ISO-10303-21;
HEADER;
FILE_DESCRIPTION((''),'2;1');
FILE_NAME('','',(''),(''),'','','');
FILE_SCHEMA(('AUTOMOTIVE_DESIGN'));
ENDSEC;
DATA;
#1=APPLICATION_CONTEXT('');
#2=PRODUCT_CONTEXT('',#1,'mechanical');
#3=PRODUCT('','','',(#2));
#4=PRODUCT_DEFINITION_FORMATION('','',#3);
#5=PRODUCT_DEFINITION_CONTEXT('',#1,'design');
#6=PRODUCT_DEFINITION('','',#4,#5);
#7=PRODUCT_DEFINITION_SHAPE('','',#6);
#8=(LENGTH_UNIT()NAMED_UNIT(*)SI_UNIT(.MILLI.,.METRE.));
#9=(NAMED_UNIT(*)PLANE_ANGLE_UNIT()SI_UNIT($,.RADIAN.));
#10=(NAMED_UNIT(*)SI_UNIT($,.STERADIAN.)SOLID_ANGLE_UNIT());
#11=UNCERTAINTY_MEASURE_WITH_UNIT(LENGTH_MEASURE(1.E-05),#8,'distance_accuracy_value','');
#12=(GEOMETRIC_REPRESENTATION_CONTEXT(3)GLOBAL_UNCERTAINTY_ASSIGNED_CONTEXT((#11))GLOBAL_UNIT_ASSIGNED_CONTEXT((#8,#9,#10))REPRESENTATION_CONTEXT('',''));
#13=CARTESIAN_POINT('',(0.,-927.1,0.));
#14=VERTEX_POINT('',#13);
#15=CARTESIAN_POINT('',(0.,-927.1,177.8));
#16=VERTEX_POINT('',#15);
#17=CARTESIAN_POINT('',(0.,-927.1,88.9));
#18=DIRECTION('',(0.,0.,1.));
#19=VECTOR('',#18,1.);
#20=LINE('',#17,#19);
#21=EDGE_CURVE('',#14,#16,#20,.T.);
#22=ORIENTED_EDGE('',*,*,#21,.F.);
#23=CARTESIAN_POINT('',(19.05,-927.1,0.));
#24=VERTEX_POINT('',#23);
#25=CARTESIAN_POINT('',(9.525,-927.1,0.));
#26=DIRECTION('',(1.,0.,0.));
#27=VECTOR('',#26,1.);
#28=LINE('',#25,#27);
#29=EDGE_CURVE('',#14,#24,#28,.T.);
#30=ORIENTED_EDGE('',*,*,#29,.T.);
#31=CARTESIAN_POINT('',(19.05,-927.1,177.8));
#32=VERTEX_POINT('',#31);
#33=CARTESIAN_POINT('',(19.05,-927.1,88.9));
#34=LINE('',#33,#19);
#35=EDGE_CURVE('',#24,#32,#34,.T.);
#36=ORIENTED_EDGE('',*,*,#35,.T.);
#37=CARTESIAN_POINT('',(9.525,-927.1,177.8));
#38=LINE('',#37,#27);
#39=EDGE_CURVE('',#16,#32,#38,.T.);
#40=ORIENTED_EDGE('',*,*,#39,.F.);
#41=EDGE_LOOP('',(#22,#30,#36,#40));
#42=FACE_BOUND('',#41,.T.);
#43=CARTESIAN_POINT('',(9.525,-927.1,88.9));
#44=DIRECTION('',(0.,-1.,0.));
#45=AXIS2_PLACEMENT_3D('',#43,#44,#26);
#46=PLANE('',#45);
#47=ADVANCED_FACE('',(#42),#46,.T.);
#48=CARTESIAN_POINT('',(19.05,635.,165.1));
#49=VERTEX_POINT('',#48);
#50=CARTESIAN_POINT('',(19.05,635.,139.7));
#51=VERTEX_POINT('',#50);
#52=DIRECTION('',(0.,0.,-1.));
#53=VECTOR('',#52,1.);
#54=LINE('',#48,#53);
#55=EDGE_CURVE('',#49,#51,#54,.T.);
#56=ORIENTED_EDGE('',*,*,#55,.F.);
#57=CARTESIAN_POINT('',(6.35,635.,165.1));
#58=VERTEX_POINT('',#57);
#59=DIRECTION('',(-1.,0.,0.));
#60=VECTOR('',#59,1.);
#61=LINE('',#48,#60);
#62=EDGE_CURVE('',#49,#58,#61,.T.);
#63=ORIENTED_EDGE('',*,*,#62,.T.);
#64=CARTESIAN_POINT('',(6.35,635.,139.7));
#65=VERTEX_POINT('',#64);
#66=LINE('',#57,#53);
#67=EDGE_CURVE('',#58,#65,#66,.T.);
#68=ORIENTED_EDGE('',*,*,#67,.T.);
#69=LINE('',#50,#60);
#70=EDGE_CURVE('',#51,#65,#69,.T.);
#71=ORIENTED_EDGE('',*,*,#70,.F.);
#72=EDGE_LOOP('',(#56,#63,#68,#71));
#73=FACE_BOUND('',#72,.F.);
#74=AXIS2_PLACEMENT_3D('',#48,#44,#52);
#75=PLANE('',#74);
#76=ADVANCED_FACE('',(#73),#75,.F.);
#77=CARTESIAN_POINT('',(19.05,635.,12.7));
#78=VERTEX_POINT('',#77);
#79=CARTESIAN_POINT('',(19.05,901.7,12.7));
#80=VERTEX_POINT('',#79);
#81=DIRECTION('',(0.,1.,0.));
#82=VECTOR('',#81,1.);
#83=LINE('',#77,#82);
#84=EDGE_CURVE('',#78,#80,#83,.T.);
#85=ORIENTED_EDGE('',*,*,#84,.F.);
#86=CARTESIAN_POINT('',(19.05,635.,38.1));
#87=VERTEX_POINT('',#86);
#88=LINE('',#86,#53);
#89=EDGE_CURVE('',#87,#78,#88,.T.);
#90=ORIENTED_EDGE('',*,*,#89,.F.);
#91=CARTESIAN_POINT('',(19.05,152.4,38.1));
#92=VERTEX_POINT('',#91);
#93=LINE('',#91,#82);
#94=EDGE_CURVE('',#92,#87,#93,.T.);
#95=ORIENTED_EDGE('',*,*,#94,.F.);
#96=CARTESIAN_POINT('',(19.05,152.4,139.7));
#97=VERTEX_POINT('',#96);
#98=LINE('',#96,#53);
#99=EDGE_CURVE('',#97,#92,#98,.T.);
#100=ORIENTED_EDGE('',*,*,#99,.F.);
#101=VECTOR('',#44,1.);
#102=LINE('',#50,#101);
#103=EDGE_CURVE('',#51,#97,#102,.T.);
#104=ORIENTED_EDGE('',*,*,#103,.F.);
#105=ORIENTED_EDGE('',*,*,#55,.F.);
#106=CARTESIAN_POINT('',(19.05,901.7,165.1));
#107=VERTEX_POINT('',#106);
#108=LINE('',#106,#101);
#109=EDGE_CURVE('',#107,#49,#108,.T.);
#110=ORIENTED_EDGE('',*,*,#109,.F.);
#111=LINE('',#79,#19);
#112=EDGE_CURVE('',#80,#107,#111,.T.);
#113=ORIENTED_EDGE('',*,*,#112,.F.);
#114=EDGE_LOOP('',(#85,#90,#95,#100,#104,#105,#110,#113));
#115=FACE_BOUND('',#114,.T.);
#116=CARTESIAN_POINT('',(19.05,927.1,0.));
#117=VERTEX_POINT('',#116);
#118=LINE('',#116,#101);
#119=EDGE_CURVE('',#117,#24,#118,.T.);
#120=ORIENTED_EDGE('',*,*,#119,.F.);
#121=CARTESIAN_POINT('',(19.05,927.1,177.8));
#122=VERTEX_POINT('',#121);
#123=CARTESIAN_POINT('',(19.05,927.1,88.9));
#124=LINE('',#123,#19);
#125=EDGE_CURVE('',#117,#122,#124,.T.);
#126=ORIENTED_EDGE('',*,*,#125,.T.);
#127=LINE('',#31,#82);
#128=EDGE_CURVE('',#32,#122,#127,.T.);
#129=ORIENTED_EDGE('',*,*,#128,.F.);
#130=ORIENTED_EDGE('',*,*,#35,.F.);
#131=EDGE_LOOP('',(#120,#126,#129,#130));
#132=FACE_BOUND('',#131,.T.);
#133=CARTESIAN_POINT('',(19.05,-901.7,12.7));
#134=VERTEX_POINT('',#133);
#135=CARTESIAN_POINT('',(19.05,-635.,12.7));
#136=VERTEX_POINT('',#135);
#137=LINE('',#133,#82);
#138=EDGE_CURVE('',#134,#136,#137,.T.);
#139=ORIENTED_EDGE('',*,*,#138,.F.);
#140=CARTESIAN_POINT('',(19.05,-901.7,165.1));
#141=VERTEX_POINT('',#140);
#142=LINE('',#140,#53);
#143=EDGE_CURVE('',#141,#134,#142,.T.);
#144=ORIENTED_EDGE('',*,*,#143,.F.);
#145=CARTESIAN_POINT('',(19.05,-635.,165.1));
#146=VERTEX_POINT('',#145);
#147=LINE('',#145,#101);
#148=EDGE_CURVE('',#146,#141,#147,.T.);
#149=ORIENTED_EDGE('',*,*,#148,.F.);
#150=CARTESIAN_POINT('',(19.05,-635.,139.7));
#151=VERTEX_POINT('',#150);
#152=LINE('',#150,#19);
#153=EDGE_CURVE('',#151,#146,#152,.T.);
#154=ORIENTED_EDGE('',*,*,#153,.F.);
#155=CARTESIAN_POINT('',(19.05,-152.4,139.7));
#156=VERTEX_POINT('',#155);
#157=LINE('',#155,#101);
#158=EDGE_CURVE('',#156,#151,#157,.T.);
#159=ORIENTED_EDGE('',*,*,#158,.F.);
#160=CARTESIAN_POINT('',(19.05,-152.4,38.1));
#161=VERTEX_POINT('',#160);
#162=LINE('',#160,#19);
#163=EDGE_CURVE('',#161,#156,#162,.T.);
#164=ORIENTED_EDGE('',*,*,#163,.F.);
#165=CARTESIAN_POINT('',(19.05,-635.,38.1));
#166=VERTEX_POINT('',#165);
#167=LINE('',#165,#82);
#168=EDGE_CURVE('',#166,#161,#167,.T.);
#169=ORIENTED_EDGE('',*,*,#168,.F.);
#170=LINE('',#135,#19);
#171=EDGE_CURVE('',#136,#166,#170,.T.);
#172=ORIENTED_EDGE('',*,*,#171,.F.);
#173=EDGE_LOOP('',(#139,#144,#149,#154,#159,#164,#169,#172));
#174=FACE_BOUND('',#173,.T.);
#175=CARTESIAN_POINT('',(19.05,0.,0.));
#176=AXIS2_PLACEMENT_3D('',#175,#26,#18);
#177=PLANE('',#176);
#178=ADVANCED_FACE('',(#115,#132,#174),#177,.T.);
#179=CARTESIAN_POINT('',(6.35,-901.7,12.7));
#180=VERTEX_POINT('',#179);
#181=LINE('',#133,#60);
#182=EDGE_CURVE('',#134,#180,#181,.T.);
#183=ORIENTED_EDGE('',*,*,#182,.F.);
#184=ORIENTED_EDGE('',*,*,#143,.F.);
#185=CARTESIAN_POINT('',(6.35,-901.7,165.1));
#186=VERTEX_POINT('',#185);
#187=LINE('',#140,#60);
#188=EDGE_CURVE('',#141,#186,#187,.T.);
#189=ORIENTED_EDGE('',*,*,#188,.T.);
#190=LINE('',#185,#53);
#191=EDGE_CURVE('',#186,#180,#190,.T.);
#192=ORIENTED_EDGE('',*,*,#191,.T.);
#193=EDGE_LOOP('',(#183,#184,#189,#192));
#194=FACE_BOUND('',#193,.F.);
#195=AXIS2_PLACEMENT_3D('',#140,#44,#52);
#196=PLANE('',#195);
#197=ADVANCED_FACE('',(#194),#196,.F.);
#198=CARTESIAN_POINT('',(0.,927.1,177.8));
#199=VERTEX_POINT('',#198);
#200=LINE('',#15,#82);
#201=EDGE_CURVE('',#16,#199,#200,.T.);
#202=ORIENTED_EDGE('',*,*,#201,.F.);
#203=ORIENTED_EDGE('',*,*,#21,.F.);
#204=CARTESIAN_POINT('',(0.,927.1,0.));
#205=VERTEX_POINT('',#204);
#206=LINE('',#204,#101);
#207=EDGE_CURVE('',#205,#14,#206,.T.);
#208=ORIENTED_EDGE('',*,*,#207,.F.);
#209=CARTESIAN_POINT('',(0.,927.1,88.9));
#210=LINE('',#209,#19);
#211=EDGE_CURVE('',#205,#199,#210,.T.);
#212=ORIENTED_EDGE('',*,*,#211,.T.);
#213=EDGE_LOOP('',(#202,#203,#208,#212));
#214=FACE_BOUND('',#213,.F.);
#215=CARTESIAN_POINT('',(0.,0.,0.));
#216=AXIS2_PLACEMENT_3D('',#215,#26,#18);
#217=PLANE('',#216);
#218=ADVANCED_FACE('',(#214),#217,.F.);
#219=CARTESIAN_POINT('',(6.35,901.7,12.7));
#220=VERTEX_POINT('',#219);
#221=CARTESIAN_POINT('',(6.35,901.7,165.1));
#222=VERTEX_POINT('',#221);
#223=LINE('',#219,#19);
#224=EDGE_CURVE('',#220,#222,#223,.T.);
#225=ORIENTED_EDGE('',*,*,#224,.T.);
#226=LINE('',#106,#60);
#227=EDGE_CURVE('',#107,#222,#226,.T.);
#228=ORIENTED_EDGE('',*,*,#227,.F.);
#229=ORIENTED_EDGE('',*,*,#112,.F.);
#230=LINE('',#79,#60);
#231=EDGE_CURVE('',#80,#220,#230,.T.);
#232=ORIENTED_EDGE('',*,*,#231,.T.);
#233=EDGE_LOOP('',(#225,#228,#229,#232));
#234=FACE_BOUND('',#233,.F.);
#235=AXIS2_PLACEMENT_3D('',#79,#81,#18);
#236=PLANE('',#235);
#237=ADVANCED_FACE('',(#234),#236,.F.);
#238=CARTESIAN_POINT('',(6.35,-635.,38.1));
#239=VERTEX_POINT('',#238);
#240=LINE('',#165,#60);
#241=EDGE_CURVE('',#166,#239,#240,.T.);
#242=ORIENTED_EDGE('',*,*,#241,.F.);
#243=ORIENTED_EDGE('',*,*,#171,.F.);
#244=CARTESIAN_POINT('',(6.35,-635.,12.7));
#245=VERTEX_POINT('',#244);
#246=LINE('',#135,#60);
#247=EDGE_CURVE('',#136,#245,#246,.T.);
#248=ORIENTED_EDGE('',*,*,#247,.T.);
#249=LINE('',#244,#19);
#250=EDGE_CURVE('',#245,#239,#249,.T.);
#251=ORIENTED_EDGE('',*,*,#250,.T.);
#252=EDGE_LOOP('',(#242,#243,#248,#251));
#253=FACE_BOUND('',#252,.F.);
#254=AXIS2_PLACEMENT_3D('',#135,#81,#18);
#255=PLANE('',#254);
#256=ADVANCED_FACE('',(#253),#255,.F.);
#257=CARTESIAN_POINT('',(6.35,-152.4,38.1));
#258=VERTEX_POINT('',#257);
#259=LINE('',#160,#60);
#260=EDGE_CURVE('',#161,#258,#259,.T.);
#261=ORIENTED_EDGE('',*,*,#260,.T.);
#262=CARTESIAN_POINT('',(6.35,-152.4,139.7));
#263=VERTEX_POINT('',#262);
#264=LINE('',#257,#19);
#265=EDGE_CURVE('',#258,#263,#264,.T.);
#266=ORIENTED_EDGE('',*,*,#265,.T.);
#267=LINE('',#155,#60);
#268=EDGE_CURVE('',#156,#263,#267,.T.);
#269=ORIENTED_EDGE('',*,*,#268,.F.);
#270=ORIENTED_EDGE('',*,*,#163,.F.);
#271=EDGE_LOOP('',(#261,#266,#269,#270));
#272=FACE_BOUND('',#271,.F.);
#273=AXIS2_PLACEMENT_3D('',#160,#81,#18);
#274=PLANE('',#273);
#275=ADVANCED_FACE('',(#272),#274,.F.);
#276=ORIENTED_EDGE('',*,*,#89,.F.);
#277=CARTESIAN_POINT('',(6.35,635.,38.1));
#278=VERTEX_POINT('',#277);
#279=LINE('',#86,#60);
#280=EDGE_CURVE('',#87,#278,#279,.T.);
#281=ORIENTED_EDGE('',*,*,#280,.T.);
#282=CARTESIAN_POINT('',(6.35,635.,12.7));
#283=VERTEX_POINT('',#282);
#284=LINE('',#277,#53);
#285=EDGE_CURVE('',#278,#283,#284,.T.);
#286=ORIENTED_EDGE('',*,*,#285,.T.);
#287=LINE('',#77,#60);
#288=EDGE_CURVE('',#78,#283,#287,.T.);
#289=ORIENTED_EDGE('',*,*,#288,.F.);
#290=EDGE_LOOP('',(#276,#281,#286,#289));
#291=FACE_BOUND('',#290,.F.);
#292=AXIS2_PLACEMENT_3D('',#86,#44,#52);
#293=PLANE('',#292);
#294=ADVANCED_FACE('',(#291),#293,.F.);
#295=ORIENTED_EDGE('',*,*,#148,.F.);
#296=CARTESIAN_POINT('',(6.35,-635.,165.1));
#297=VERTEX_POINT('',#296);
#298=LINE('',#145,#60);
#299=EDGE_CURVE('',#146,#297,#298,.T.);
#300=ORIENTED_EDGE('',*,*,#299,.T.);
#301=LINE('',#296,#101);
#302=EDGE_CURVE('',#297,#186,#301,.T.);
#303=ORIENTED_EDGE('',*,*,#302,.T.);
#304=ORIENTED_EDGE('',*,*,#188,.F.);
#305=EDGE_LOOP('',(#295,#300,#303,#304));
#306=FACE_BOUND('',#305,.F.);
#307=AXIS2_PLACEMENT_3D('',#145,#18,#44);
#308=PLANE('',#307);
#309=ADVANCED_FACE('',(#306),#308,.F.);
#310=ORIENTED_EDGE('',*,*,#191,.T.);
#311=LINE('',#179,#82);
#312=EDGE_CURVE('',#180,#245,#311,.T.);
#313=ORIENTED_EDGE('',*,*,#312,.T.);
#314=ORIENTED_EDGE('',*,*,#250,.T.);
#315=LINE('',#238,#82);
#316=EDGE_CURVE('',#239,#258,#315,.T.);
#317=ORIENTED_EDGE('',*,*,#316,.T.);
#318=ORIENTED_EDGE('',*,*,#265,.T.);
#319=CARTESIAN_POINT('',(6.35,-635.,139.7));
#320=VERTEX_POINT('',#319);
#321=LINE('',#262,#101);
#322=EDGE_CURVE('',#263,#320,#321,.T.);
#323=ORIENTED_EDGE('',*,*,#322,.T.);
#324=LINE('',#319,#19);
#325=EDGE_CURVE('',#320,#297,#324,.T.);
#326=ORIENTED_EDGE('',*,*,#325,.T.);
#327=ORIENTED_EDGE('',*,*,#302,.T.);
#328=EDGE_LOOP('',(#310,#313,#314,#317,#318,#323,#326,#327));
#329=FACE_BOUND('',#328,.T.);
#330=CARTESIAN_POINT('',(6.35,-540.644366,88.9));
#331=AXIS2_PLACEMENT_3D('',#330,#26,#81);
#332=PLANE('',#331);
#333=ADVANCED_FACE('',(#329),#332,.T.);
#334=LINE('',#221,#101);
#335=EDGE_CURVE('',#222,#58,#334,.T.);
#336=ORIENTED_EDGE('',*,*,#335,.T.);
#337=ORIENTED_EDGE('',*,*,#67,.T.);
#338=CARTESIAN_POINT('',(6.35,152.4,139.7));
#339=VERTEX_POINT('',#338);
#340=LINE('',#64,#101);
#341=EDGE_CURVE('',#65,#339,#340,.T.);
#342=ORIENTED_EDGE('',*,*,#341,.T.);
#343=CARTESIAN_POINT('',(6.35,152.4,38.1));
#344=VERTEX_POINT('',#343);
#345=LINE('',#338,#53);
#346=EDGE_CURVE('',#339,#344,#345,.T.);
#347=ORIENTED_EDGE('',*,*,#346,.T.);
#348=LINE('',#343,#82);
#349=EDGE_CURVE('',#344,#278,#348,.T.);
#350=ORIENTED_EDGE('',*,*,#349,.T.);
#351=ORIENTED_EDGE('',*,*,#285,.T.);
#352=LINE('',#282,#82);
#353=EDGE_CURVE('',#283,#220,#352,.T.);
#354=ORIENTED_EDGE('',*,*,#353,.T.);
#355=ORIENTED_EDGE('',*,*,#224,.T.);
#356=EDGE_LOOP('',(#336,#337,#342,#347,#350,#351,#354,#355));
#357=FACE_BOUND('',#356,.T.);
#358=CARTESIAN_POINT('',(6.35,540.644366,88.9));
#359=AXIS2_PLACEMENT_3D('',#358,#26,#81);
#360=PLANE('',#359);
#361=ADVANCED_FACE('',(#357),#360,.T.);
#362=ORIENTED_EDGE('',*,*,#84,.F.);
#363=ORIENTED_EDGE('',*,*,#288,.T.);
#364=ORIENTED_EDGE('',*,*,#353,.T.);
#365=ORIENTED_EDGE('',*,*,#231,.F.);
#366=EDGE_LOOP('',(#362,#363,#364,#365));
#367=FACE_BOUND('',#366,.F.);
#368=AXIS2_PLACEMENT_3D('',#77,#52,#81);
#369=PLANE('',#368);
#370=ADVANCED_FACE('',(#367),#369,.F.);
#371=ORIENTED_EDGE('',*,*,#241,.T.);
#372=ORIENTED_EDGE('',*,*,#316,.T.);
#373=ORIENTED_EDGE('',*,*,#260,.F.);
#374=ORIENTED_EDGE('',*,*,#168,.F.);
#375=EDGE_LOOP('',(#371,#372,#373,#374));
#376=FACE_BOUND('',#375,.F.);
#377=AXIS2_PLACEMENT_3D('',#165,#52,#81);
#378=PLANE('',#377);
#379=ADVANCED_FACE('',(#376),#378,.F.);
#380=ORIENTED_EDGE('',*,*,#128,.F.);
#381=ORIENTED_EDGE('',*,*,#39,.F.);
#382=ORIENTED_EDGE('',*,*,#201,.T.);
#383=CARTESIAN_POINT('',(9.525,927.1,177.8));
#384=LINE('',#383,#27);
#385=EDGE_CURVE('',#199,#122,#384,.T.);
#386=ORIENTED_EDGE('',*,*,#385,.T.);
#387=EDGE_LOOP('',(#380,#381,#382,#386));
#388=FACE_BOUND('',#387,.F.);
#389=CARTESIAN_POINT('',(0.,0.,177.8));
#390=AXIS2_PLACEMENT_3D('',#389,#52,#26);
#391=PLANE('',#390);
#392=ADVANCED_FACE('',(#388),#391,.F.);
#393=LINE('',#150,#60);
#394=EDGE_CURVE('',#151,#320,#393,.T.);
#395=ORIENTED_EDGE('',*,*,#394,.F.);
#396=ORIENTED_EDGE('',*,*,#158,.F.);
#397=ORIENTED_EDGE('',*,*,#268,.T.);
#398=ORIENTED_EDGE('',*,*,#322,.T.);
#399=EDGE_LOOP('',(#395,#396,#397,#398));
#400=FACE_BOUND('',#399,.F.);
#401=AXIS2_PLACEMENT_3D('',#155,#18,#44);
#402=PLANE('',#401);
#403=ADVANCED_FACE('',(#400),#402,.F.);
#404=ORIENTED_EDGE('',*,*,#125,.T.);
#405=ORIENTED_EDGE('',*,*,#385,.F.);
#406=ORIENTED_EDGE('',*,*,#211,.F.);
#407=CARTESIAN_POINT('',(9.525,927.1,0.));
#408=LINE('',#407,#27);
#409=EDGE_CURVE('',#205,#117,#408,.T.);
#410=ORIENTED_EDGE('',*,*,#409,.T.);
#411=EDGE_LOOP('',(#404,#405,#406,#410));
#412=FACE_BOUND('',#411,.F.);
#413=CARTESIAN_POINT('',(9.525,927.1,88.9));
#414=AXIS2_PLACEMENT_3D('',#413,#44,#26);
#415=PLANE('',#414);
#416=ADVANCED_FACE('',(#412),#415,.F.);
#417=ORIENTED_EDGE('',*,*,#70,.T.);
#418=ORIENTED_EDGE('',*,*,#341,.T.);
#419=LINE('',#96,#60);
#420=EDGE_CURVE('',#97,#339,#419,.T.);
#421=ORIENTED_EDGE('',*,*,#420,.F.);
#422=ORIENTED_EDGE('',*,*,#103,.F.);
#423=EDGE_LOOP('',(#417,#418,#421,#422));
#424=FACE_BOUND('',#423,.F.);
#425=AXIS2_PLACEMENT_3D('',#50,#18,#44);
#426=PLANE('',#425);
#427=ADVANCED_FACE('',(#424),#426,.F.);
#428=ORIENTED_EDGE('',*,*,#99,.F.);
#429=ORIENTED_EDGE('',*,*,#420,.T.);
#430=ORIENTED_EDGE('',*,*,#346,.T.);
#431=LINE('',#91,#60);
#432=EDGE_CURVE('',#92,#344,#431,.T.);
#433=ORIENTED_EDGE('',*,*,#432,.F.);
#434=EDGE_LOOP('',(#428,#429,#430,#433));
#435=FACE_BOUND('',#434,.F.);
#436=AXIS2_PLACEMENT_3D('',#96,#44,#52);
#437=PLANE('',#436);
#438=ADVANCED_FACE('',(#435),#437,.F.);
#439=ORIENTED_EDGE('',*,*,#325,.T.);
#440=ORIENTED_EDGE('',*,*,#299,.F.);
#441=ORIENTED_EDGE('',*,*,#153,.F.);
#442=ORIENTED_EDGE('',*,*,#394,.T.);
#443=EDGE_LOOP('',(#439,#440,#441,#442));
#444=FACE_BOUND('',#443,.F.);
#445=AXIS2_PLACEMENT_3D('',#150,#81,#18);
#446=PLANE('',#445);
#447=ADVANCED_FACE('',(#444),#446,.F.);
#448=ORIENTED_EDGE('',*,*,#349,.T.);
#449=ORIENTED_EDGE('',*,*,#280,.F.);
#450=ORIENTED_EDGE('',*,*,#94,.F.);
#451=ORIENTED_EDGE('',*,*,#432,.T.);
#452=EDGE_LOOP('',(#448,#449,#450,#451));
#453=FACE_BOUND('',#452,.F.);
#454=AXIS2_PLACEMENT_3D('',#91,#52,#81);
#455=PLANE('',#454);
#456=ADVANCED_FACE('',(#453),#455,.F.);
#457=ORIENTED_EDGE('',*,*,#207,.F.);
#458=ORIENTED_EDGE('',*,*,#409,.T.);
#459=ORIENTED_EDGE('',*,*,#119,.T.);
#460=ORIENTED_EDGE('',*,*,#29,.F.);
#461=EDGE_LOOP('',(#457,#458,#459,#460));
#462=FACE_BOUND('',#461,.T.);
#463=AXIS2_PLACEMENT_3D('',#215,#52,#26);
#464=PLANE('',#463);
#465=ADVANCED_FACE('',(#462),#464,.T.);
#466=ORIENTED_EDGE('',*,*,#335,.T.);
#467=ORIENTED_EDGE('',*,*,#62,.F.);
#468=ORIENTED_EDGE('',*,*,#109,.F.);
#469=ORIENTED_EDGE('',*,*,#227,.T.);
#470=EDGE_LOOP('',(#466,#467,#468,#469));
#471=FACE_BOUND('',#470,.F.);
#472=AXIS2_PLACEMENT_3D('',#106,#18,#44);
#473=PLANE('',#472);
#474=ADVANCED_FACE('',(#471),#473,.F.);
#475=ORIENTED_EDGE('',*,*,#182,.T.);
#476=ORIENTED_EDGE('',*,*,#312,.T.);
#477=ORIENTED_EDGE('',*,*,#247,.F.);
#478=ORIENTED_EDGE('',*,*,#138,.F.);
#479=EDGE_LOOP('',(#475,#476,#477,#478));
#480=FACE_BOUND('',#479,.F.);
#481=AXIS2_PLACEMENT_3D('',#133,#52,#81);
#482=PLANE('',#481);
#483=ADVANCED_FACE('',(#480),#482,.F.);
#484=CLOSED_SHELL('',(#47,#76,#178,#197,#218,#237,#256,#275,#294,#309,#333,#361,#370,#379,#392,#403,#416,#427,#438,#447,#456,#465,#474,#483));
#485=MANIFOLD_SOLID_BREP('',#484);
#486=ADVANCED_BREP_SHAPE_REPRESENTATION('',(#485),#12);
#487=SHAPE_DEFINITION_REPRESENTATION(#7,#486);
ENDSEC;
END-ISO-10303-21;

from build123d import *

# Parameters (mm, degrees)
F0_W     = 19.05
F0_H     = 177.8
F1_DEPTH = 927.1
F3_DEPTH = 12.7


with BuildPart() as f1:
    # F0 (on Front) → F1 (new body, symmetric)
    with BuildSketch(Plane.XZ):
        with Locations((9.525, 88.9)):
            Rectangle(F0_W, F0_H)
    extrude(amount=F1_DEPTH, both=True)

    # F2 (on face) → F3 (cut)
    with BuildSketch(Plane.YZ.offset(19.05)):
        Polygon((-901.7, 165.1), (-901.7, 12.7), (-635, 12.7), (-635, 38.1), (-152.4, 38.1), (-152.4, 139.7), (-635, 139.7), (-635, 165.1), align=None)
        Polygon((901.7, 12.7), (901.7, 165.1), (635, 165.1), (635, 139.7), (152.4, 139.7), (152.4, 38.1), (635, 38.1), (635, 12.7), align=None)
    extrude(amount=-F3_DEPTH, mode=Mode.SUBTRACT)


solid = f1.part
